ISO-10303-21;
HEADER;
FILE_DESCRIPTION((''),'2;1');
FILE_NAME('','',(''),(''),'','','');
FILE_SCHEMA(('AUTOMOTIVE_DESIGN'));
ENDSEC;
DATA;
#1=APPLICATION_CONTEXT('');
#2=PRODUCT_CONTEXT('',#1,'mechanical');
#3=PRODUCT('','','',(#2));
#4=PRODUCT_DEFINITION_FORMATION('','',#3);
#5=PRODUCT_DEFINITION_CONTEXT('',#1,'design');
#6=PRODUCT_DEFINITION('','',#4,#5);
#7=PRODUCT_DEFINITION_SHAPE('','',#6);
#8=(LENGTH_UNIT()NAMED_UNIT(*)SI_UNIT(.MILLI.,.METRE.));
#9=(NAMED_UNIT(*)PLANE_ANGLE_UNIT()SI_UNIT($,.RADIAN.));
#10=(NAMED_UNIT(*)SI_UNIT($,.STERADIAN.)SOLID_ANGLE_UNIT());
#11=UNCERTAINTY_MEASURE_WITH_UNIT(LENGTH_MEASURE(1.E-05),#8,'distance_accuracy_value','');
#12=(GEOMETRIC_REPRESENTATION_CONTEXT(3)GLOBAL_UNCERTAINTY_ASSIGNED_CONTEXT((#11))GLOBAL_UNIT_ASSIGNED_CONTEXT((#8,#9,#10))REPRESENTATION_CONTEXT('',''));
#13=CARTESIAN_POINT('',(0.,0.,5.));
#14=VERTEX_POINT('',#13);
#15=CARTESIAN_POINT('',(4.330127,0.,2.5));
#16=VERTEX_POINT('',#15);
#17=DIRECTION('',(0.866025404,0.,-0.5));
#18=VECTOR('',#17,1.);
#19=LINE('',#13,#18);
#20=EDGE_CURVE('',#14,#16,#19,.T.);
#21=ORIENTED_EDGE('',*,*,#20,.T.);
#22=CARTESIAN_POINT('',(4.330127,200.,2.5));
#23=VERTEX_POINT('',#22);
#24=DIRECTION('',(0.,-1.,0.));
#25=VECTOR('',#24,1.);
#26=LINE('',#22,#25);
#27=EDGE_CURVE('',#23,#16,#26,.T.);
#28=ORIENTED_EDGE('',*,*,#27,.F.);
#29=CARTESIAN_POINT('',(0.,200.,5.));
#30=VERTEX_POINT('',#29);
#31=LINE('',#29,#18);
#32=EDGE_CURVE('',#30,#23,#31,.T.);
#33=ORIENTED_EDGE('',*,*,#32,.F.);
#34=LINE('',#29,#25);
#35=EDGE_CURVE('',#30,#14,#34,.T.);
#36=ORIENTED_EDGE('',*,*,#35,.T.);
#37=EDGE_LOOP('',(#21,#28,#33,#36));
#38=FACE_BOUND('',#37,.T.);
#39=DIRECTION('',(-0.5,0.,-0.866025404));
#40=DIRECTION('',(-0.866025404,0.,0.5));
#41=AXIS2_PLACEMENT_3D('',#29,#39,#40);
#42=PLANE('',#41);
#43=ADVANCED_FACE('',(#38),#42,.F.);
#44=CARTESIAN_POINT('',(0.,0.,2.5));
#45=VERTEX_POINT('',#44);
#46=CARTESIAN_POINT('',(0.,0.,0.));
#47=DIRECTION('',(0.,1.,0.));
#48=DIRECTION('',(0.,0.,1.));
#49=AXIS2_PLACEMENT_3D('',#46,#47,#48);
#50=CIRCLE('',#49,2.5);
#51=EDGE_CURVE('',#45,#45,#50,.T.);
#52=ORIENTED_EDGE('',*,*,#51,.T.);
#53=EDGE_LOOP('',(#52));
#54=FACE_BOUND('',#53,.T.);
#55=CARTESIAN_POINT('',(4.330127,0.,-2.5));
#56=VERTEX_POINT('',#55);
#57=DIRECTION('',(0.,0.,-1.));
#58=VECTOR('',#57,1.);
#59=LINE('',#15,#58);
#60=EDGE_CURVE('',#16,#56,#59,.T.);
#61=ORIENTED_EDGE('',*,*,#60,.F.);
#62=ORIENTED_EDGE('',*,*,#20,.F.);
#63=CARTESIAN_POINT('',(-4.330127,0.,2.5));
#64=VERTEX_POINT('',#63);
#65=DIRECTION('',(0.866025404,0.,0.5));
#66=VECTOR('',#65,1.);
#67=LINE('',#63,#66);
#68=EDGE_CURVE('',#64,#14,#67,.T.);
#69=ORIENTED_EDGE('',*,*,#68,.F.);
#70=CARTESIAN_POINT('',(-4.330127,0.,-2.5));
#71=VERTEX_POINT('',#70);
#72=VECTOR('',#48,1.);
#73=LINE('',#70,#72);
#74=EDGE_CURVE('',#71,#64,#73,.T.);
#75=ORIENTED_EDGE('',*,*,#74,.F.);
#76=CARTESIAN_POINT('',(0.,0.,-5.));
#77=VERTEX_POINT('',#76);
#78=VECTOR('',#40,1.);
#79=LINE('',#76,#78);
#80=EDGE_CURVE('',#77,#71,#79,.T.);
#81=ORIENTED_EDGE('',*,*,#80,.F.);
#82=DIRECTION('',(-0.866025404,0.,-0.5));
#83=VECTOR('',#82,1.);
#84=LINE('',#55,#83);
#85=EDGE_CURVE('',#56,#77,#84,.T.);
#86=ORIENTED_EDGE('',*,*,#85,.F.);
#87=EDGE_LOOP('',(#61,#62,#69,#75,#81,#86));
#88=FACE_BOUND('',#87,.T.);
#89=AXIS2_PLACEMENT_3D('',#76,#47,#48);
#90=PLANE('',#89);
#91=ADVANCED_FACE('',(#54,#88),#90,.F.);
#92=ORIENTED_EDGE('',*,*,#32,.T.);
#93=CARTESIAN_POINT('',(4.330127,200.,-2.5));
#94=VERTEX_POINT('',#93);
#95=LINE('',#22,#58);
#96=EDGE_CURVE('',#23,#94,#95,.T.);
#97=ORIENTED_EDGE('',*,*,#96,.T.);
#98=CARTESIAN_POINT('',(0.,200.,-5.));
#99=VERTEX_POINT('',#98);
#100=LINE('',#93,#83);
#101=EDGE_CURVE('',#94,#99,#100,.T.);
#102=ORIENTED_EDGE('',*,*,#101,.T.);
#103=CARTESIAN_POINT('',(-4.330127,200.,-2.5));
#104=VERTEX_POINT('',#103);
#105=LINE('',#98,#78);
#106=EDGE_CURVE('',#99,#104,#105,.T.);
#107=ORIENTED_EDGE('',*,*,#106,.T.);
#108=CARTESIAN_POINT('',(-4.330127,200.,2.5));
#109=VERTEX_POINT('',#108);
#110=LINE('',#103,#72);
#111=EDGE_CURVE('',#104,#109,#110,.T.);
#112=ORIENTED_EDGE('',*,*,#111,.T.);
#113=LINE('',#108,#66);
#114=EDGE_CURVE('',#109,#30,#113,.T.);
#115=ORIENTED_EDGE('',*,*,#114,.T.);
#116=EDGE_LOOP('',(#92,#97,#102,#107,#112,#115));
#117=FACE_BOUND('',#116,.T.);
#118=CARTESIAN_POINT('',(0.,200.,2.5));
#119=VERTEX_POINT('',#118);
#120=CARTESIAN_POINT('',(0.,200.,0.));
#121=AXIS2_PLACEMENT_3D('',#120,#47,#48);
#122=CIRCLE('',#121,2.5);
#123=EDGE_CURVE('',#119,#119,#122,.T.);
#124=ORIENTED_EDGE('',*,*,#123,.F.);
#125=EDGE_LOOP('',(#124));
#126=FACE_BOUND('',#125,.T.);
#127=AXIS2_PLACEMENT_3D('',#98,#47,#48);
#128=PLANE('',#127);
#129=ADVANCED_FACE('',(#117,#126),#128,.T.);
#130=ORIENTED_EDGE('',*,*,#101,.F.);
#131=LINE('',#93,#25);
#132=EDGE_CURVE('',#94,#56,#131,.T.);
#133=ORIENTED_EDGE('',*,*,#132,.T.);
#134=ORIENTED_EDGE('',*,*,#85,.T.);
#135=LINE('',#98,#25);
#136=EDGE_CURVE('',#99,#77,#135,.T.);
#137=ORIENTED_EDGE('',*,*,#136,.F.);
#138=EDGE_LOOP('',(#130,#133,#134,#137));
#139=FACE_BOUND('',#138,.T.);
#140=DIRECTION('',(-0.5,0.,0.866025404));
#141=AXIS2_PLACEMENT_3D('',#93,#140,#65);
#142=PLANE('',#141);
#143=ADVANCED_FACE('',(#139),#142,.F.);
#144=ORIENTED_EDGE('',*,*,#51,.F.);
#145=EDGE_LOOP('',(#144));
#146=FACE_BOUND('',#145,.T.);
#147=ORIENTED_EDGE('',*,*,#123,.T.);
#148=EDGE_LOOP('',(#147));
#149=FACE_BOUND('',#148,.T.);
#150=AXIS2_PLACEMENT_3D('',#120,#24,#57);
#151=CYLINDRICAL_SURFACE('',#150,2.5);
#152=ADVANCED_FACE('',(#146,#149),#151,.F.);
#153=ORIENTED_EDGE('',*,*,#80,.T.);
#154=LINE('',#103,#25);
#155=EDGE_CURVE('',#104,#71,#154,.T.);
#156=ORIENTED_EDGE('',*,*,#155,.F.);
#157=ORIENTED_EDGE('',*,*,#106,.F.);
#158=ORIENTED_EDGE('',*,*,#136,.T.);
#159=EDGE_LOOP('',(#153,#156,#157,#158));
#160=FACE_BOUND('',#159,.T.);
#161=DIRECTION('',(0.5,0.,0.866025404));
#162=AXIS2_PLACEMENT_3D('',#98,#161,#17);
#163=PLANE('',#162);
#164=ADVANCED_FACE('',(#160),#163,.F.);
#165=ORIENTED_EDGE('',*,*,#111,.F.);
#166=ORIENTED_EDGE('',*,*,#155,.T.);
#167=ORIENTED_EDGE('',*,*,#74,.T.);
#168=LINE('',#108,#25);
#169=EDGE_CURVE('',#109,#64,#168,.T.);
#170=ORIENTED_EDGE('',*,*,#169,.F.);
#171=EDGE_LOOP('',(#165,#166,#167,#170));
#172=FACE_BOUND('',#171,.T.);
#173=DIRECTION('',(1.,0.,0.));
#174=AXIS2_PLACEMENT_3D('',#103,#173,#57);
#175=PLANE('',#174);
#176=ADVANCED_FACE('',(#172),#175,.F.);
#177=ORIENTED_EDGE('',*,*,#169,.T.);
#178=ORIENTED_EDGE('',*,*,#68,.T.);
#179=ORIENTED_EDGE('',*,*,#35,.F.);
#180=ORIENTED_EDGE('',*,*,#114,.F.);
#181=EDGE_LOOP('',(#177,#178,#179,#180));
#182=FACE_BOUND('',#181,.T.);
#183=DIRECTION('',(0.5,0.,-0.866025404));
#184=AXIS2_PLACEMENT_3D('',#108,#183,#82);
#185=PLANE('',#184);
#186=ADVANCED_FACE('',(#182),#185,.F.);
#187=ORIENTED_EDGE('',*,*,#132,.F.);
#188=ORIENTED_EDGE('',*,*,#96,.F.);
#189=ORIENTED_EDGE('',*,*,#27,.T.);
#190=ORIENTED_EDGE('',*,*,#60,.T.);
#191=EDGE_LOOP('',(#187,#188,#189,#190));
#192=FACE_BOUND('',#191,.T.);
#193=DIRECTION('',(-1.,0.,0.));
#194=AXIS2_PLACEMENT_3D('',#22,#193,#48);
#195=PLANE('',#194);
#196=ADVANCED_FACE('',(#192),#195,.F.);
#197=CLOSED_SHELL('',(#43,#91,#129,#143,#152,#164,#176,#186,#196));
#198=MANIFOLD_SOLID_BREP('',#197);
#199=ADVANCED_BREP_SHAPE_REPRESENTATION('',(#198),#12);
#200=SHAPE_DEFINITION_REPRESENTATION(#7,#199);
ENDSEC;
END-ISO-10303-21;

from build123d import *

# Parameters (mm, degrees)
ESQUISSE1_R      = 2.5
EXTRUSION1_DEPTH = 200


with BuildPart() as part:
    # Esquisse1 → Extrusion1 (new body)
    with BuildSketch(Plane(origin=(0, 0, 0), x_dir=(1, 0, 0), z_dir=(0, 1, 0))):
        Polygon((0, 5), (-4.330127019, 2.5), (-4.330127019, -2.5), (0, -5), (4.330127019, -2.5), (4.330127019, 2.5), align=None)
        Circle(ESQUISSE1_R, mode=Mode.SUBTRACT)
    extrude(amount=EXTRUSION1_DEPTH)


solid = part.part
